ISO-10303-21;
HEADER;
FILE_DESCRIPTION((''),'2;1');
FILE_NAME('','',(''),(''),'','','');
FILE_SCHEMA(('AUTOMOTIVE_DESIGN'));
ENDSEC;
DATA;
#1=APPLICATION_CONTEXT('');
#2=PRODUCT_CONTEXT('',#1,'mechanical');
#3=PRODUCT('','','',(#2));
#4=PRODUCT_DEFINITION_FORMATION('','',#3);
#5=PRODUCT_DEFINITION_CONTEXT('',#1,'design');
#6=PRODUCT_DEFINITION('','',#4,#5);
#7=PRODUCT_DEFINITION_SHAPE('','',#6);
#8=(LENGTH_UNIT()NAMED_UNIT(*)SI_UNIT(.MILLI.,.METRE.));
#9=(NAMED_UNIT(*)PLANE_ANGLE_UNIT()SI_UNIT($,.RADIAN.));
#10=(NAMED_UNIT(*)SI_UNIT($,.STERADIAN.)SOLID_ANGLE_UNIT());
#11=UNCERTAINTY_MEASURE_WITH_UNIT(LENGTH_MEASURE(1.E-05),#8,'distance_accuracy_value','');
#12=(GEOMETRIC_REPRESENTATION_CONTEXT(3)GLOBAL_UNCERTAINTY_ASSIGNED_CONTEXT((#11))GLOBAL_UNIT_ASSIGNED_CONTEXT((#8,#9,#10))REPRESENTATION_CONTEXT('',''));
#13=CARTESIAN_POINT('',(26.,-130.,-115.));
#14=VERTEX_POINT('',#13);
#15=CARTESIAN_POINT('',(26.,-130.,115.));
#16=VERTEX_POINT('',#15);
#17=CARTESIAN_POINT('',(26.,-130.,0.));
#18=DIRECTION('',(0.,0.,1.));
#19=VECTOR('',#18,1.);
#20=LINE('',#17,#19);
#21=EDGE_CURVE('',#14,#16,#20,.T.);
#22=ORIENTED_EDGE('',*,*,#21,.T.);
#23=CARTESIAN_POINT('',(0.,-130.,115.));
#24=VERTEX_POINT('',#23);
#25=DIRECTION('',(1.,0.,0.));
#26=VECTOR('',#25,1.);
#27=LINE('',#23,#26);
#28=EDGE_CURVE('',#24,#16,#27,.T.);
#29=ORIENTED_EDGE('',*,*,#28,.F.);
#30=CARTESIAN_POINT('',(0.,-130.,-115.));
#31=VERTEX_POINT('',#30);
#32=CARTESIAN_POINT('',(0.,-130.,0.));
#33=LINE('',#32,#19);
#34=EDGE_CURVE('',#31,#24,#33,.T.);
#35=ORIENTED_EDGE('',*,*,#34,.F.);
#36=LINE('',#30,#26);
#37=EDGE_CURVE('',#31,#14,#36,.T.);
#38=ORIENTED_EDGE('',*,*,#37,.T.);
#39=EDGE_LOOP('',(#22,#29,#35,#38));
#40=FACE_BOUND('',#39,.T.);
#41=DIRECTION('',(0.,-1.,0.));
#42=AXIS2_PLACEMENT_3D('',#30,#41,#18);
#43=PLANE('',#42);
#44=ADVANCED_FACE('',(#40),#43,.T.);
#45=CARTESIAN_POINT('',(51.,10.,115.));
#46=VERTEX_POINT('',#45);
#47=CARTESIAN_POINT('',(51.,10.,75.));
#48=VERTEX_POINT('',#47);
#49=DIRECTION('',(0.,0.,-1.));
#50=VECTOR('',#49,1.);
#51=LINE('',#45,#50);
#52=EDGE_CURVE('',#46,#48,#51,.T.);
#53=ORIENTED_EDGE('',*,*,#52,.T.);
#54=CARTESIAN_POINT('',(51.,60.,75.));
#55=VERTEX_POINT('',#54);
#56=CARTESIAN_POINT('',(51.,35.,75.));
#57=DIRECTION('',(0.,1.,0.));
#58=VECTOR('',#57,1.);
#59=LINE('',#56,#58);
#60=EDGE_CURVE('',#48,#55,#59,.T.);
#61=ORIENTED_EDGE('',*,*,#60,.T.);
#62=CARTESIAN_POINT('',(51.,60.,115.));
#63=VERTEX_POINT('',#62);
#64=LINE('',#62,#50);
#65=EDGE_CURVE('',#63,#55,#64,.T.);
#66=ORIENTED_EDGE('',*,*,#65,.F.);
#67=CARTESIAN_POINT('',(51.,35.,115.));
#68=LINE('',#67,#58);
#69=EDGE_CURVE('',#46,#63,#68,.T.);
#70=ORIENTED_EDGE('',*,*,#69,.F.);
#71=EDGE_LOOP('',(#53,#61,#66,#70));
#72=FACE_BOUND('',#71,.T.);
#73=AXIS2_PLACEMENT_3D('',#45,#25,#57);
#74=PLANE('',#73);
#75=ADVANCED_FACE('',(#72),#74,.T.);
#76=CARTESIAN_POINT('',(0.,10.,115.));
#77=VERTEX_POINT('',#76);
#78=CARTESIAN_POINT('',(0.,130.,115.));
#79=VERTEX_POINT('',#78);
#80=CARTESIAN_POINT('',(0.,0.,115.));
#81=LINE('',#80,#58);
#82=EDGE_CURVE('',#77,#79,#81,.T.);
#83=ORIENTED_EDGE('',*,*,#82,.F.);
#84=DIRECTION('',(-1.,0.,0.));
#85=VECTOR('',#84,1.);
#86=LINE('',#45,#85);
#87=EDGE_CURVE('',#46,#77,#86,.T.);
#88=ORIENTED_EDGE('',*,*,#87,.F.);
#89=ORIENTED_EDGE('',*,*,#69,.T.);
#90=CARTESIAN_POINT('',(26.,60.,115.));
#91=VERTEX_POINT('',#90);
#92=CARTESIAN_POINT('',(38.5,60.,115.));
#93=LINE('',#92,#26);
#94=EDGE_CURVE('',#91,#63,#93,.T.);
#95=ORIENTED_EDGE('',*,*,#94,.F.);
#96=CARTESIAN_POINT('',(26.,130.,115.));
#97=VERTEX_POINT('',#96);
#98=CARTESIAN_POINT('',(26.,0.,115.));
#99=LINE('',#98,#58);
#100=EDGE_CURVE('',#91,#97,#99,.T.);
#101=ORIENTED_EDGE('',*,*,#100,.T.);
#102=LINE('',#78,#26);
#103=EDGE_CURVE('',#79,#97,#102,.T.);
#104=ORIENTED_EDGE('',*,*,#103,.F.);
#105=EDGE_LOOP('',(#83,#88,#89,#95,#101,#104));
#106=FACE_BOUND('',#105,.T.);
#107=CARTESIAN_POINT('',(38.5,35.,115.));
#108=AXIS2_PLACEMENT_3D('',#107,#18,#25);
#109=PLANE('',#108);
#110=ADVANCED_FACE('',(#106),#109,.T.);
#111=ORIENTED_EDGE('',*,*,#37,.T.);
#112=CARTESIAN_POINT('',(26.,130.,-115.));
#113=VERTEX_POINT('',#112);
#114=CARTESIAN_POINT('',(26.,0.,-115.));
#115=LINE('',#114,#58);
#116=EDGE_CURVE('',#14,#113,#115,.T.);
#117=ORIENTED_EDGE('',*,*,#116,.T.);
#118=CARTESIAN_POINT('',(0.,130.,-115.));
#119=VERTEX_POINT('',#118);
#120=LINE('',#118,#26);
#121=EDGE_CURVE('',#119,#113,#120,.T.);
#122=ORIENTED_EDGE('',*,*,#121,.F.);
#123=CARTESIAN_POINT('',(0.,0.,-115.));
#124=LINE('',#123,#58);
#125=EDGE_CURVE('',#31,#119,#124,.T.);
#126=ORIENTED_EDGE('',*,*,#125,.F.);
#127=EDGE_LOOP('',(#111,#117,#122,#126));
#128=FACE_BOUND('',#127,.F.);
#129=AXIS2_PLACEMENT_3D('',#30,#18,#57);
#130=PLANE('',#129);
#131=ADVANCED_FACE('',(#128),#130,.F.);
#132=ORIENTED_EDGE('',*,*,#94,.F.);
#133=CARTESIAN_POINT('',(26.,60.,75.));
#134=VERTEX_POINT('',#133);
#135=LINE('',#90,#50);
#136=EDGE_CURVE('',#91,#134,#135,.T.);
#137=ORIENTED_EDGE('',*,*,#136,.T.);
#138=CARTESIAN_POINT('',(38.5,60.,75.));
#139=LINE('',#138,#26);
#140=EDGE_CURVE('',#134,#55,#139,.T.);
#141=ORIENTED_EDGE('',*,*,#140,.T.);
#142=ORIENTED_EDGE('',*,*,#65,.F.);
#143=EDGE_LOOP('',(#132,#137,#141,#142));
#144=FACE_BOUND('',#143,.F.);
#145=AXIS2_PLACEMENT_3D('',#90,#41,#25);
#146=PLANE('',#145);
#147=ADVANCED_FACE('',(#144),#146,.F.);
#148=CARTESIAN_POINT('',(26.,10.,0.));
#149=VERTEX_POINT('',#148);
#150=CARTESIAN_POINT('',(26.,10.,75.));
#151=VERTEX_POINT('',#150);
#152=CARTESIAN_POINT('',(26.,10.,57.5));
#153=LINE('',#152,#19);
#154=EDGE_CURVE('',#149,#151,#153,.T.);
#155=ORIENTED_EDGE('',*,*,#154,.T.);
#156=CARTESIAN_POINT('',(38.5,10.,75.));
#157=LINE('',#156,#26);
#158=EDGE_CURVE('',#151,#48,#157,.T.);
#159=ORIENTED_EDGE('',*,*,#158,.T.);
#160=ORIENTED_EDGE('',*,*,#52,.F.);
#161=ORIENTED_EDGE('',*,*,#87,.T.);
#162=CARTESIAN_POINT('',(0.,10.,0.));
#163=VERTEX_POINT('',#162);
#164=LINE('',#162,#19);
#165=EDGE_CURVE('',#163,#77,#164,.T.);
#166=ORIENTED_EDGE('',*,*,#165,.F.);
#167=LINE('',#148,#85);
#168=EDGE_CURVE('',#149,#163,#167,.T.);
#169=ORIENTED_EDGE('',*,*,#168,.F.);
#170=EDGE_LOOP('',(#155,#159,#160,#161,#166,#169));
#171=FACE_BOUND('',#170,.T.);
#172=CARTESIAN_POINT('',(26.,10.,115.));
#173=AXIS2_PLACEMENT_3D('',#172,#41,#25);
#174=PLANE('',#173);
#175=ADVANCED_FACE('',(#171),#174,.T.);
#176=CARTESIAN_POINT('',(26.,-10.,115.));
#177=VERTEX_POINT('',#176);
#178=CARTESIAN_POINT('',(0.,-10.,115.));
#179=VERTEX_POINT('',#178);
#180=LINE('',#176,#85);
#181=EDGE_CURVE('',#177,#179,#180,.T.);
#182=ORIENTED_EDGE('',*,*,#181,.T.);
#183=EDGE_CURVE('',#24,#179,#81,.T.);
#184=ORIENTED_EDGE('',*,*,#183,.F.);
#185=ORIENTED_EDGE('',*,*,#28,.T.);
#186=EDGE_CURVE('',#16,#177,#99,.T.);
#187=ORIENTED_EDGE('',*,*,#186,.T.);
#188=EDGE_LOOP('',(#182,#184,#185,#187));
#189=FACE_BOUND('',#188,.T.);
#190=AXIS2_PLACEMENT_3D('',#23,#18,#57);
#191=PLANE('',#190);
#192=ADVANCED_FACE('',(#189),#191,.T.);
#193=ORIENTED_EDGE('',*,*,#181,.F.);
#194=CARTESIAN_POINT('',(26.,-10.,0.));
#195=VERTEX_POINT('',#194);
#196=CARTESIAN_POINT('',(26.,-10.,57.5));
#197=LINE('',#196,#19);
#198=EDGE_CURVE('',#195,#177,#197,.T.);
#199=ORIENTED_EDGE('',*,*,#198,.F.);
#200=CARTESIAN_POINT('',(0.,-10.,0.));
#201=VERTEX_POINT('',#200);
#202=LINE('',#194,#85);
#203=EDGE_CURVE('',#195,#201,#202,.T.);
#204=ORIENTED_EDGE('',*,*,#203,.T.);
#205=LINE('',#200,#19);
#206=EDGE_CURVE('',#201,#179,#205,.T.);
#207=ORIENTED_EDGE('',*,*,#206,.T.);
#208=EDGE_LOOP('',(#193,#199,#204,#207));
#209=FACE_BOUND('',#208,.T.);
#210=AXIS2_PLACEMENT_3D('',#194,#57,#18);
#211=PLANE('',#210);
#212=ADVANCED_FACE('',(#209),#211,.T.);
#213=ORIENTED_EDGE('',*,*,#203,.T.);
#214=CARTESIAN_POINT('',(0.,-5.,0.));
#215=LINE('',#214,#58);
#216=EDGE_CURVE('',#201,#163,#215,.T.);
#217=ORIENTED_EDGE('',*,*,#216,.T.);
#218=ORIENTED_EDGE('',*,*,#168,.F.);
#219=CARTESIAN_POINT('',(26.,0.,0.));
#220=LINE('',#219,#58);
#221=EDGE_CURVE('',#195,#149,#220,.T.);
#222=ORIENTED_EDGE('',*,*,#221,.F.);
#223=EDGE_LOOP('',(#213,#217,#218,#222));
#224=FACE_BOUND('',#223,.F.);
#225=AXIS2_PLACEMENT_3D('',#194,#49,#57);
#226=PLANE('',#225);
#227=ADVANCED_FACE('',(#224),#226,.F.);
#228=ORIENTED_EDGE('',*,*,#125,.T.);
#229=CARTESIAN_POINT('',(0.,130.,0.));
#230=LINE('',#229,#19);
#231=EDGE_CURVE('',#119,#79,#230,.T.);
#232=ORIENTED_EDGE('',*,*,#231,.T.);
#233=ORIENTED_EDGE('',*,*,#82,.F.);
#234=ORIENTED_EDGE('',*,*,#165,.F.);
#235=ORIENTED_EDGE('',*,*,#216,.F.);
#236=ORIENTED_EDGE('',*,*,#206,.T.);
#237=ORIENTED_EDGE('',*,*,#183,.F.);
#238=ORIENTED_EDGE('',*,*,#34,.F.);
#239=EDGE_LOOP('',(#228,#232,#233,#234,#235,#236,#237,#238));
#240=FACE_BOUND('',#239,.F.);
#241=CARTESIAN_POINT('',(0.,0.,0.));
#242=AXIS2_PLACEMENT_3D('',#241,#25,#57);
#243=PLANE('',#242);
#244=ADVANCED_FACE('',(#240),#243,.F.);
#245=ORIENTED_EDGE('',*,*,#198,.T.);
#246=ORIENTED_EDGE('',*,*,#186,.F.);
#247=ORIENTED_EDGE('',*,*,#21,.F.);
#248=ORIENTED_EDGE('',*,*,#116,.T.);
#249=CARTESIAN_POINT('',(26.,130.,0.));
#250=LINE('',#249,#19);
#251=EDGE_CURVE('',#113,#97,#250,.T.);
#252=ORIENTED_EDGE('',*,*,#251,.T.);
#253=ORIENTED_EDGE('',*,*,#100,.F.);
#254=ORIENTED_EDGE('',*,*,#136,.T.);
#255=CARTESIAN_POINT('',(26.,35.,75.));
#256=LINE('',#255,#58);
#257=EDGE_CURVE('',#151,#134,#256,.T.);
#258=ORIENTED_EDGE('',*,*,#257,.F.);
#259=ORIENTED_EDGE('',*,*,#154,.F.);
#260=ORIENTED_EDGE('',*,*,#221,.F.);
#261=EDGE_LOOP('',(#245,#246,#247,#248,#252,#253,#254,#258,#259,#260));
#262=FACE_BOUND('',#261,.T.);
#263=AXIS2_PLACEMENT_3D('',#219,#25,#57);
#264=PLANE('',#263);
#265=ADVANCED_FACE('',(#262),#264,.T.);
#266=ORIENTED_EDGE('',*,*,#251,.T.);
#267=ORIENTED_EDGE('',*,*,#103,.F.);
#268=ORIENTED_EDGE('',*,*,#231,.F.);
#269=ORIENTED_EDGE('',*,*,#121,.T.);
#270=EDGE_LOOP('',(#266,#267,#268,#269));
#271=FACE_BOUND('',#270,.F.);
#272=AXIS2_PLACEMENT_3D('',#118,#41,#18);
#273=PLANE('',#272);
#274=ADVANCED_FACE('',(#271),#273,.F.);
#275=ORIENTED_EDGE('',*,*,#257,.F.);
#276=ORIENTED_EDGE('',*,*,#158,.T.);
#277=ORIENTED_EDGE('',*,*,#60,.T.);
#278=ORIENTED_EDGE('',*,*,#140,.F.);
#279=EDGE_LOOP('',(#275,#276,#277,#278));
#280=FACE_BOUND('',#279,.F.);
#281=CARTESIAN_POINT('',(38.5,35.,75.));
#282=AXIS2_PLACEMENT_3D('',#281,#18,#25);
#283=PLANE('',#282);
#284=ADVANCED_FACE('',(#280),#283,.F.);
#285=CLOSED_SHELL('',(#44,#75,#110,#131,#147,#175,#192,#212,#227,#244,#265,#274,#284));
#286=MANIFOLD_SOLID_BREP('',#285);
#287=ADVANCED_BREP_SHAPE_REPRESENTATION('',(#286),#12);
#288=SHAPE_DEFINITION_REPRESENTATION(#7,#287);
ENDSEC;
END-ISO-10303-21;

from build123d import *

# Parameters (mm, degrees)
F0_W     = 260
F0_H     = 230
F1_DEPTH = 26
F2_W     = 20
F2_H     = 115
F3_DEPTH = 30
F4_W     = 25
F4_H     = 50
F5_DEPTH = 40


with BuildPart() as f1:
    # F0 (on Right) → F1 (new body)
    with BuildSketch(Plane.YZ):
        Rectangle(F0_W, F0_H)
    extrude(amount=F1_DEPTH)

    # F2 (on face) → F3 (cut)
    with BuildSketch(Plane.YZ.offset(26)):
        with Locations((0, 57.5)):
            Rectangle(F2_W, F2_H)
    extrude(amount=-F3_DEPTH, mode=Mode.SUBTRACT)

    # F4 (on face) → F5 (join)
    with BuildSketch(Plane.XY.offset(115)):
        with Locations((38.5, 35)):
            Rectangle(F4_W, F4_H)
    extrude(amount=-F5_DEPTH)


solid = f1.part
